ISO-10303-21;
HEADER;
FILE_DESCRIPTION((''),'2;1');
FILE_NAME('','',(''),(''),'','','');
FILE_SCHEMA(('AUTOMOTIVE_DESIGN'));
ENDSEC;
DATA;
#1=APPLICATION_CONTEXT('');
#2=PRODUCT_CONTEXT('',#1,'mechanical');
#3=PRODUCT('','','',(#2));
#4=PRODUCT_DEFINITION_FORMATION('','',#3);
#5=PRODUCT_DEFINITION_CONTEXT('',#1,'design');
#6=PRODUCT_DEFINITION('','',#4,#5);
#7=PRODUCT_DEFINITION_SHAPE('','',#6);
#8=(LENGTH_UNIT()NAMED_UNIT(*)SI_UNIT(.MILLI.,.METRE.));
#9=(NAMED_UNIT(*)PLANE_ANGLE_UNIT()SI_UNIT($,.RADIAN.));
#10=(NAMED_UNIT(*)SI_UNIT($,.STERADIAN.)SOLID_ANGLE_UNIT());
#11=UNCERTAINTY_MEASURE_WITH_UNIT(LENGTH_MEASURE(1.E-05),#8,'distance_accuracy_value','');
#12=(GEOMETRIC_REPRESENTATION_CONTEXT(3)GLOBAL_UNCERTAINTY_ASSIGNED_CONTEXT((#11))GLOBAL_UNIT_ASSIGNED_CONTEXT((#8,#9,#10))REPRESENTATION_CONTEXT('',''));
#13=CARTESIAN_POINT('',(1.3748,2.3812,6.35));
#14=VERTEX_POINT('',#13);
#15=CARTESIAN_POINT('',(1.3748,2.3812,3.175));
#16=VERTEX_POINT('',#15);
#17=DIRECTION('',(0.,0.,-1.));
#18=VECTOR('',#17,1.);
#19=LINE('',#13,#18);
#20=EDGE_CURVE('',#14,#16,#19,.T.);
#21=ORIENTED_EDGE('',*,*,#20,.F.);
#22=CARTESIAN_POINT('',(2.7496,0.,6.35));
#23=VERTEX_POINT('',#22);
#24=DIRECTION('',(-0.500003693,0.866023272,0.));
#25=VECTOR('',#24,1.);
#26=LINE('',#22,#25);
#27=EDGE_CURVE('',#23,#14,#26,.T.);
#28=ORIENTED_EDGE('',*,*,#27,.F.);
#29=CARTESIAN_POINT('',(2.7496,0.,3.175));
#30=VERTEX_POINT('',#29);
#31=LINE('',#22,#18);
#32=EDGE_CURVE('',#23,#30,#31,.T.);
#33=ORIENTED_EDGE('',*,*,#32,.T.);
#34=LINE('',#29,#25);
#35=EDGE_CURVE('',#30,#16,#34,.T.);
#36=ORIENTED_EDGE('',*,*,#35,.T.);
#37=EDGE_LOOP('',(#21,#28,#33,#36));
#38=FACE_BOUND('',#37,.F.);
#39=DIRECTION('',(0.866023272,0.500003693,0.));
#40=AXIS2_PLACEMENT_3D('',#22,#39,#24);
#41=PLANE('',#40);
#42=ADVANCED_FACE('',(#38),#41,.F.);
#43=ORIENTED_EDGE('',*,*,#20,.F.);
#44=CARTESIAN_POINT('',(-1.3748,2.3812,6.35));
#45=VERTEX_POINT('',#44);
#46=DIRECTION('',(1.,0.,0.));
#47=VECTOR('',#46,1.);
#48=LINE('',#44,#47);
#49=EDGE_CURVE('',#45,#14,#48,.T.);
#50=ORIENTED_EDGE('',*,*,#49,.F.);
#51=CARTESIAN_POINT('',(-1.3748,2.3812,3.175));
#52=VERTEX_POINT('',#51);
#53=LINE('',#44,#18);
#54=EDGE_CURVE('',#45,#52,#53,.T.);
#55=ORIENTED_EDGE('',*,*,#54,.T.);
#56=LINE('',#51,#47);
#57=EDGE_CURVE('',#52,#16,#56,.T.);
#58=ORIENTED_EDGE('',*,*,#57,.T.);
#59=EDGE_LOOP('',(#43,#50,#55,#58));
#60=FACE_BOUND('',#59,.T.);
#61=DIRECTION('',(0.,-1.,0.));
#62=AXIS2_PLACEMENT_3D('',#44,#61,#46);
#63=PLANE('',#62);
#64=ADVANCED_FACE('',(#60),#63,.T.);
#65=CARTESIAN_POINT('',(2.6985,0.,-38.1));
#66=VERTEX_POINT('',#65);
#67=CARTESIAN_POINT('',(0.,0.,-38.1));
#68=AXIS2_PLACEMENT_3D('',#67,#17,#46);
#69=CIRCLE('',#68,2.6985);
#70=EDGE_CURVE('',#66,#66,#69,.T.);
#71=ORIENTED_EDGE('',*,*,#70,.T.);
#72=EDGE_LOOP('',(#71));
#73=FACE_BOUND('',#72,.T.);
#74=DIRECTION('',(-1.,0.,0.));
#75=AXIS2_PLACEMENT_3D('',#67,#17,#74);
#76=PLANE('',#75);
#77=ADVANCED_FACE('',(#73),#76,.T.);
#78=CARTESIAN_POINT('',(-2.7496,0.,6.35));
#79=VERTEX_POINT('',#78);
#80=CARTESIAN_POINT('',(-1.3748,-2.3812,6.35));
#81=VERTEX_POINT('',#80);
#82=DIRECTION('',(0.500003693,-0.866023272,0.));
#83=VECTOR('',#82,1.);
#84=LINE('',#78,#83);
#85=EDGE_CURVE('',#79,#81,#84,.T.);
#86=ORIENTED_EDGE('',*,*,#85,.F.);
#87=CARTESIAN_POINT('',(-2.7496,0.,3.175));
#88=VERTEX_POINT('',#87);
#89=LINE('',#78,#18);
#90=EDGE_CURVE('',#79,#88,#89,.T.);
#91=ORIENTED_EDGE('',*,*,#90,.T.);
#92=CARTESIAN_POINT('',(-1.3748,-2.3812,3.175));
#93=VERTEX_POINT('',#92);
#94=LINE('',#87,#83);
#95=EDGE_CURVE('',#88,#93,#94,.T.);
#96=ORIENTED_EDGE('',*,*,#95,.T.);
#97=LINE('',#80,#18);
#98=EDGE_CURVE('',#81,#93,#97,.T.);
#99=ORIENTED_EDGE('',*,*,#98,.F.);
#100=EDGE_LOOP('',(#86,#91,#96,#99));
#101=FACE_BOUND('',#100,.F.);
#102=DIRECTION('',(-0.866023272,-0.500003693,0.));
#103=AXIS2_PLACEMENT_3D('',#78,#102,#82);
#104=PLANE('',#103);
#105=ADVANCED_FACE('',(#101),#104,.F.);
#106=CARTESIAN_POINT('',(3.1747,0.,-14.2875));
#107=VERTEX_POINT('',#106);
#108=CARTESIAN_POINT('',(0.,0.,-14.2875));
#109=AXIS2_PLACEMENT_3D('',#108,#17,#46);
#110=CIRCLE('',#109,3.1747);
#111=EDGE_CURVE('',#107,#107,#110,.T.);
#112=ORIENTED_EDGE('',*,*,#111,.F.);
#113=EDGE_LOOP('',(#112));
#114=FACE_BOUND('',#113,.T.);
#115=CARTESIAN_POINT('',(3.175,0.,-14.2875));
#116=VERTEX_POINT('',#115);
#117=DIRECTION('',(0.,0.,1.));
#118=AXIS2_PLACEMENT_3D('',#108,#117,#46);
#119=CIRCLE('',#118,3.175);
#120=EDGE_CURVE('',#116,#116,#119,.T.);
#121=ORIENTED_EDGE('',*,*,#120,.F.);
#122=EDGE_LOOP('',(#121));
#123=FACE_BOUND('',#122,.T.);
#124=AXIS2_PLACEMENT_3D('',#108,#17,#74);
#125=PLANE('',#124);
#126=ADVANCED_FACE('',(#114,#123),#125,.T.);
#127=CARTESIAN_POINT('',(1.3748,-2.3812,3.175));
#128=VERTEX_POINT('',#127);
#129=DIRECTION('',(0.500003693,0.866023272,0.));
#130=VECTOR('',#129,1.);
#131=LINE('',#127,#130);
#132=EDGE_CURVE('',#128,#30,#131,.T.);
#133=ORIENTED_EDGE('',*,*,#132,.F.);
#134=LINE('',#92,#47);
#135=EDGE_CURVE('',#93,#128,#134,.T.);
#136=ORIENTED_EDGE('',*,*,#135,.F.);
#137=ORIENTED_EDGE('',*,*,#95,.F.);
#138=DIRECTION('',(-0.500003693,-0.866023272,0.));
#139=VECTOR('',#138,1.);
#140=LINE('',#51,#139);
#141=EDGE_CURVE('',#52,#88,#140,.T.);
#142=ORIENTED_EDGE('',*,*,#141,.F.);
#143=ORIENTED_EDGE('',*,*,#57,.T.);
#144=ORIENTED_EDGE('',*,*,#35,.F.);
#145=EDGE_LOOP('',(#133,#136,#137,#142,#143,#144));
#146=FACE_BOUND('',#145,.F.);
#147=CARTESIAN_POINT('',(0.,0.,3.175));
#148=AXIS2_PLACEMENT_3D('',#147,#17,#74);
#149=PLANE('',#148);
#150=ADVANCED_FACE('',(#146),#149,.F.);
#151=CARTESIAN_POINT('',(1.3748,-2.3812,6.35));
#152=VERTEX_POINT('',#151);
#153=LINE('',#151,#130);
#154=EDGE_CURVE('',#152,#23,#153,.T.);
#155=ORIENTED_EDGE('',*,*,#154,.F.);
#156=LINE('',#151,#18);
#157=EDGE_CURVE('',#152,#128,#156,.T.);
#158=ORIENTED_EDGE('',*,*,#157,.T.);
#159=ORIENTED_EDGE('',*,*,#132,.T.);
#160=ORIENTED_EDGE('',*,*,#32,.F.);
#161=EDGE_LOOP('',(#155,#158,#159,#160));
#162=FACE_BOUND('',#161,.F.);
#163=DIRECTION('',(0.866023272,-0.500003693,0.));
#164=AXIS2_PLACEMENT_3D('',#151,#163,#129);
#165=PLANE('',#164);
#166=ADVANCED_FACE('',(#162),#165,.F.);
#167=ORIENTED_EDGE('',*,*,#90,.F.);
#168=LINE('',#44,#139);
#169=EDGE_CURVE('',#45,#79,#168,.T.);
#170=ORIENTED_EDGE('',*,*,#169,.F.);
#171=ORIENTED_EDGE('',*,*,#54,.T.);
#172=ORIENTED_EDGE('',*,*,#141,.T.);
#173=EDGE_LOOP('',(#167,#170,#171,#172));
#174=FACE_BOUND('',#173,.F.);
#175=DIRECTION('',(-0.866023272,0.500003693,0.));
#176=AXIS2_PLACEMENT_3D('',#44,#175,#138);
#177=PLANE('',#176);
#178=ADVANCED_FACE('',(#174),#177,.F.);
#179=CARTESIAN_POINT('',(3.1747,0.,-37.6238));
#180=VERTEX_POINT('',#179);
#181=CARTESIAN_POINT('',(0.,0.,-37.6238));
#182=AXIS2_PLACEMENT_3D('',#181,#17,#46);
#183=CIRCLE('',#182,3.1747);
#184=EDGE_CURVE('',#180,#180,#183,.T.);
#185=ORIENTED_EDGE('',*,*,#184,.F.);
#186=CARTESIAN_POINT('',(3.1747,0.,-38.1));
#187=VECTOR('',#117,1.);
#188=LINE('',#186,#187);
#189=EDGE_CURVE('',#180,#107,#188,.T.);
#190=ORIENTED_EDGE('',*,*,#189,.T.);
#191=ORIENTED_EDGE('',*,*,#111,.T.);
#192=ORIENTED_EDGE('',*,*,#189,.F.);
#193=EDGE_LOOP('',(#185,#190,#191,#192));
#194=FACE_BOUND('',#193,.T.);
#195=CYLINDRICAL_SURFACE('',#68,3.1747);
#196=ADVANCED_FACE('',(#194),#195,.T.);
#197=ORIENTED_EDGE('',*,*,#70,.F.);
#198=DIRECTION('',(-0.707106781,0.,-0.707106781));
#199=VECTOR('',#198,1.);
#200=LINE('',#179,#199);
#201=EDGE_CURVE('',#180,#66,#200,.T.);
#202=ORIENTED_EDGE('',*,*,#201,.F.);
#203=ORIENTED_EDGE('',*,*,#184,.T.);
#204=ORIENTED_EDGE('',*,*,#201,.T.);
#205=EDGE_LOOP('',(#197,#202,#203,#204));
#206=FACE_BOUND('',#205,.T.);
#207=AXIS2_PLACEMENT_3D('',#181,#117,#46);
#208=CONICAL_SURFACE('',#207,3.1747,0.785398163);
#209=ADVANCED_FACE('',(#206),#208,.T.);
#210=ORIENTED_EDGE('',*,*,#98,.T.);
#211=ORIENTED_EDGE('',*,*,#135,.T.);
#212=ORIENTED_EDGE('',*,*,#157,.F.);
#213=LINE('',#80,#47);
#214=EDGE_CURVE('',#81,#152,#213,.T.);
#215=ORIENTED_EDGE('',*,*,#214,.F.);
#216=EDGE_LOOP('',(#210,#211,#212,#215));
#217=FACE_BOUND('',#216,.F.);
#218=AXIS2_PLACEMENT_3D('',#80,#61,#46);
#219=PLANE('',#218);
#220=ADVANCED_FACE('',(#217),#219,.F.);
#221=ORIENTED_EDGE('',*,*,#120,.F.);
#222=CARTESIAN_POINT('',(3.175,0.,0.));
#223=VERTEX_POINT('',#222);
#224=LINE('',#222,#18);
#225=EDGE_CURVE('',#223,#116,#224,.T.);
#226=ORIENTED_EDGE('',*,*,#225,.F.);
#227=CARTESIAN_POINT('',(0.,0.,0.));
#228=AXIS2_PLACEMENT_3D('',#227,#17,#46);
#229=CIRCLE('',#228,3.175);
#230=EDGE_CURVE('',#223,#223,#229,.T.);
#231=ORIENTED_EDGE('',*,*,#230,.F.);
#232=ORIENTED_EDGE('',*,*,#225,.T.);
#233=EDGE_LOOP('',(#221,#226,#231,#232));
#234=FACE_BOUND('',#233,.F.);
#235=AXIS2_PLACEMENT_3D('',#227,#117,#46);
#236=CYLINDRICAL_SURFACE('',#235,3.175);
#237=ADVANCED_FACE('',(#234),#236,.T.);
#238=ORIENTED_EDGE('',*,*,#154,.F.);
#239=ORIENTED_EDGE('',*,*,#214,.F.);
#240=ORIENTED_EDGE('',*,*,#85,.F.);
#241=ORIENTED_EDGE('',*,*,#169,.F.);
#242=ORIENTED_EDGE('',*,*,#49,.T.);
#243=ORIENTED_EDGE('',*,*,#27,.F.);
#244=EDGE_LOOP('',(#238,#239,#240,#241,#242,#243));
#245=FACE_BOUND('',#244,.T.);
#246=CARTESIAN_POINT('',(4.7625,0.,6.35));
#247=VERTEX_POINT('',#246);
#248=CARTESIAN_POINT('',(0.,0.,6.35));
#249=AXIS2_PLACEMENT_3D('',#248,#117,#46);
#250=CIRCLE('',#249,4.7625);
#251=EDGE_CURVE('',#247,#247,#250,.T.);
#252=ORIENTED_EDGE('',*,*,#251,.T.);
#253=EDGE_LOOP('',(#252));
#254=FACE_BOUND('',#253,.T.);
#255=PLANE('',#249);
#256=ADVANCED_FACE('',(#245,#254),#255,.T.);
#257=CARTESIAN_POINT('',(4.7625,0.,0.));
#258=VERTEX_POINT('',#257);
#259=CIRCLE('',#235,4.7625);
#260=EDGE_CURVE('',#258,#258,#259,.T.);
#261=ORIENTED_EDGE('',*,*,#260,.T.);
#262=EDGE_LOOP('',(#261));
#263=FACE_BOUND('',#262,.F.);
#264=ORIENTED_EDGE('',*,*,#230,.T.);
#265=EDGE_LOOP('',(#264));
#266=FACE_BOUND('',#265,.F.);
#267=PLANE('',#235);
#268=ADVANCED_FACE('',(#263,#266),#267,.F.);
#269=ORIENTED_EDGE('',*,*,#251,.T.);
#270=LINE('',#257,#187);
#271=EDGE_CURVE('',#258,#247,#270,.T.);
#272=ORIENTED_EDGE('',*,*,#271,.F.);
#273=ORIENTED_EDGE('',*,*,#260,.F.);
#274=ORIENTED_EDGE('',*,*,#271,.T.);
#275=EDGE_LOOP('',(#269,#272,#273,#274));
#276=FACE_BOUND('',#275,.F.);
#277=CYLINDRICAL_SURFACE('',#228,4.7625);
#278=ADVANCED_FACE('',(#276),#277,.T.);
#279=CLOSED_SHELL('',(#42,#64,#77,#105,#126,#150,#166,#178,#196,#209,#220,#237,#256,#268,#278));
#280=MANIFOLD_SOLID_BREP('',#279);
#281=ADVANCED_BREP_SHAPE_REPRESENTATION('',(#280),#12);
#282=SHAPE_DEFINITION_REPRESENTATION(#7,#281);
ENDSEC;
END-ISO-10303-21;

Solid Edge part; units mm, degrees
sketch "Sketch1" plane through (0, 0, 0) normal (0, 0, 1) x (1, 0, 0)
  circle A0 centre (0, 0) radius 4.7625
  dimension "D1" = 9.525
extrude "Protrusion1" add sketch "Sketch1" along normal blind 6.35
sketch "Sketch2" plane through (0, 0, 0) normal (0, 0, -1) x (1, 0, 0)
  circle A0 centre (0, 0) radius 3.175
extrude "Protrusion2" add sketch "Sketch2" along normal blind 38.1
sketch "Sketch3" plane through (0, 0, -38.1) normal (0, 0, -1) x (1, 0, 0)
  circle A0 centre (0, 0) radius 3.1747
extrude "Cutout1" cut sketch "Sketch3" against normal blind 23.8125 flip side to cut
chamfer "Chamfer_1" distance 0.4762 angle 45 1 edges at (-3.1747, 0, -38.1)
sketch "Sketch4" plane through (0, 0, 6.35) normal (0, 0, 1) x (1, 0, 0)
  line L0 (-1.3748, 2.3812) -> (1.3748, 2.3812)
  line L1 (2.7496, 0) -> (1.3748, 2.3812)
  line L2 (1.3748, -2.3812) -> (2.7496, 0)
  line L3 (-1.3748, -2.3812) -> (1.3748, -2.3812)
  line L4 (-2.7496, 0) -> (-1.3748, -2.3812)
  line L5 (-1.3748, 2.3812) -> (-2.7496, 0)
  dimension "D1" = 4.7625
extrude "Cutout2" cut sketch "Sketch4" against normal blind 3.175
properties part number "24101624"
